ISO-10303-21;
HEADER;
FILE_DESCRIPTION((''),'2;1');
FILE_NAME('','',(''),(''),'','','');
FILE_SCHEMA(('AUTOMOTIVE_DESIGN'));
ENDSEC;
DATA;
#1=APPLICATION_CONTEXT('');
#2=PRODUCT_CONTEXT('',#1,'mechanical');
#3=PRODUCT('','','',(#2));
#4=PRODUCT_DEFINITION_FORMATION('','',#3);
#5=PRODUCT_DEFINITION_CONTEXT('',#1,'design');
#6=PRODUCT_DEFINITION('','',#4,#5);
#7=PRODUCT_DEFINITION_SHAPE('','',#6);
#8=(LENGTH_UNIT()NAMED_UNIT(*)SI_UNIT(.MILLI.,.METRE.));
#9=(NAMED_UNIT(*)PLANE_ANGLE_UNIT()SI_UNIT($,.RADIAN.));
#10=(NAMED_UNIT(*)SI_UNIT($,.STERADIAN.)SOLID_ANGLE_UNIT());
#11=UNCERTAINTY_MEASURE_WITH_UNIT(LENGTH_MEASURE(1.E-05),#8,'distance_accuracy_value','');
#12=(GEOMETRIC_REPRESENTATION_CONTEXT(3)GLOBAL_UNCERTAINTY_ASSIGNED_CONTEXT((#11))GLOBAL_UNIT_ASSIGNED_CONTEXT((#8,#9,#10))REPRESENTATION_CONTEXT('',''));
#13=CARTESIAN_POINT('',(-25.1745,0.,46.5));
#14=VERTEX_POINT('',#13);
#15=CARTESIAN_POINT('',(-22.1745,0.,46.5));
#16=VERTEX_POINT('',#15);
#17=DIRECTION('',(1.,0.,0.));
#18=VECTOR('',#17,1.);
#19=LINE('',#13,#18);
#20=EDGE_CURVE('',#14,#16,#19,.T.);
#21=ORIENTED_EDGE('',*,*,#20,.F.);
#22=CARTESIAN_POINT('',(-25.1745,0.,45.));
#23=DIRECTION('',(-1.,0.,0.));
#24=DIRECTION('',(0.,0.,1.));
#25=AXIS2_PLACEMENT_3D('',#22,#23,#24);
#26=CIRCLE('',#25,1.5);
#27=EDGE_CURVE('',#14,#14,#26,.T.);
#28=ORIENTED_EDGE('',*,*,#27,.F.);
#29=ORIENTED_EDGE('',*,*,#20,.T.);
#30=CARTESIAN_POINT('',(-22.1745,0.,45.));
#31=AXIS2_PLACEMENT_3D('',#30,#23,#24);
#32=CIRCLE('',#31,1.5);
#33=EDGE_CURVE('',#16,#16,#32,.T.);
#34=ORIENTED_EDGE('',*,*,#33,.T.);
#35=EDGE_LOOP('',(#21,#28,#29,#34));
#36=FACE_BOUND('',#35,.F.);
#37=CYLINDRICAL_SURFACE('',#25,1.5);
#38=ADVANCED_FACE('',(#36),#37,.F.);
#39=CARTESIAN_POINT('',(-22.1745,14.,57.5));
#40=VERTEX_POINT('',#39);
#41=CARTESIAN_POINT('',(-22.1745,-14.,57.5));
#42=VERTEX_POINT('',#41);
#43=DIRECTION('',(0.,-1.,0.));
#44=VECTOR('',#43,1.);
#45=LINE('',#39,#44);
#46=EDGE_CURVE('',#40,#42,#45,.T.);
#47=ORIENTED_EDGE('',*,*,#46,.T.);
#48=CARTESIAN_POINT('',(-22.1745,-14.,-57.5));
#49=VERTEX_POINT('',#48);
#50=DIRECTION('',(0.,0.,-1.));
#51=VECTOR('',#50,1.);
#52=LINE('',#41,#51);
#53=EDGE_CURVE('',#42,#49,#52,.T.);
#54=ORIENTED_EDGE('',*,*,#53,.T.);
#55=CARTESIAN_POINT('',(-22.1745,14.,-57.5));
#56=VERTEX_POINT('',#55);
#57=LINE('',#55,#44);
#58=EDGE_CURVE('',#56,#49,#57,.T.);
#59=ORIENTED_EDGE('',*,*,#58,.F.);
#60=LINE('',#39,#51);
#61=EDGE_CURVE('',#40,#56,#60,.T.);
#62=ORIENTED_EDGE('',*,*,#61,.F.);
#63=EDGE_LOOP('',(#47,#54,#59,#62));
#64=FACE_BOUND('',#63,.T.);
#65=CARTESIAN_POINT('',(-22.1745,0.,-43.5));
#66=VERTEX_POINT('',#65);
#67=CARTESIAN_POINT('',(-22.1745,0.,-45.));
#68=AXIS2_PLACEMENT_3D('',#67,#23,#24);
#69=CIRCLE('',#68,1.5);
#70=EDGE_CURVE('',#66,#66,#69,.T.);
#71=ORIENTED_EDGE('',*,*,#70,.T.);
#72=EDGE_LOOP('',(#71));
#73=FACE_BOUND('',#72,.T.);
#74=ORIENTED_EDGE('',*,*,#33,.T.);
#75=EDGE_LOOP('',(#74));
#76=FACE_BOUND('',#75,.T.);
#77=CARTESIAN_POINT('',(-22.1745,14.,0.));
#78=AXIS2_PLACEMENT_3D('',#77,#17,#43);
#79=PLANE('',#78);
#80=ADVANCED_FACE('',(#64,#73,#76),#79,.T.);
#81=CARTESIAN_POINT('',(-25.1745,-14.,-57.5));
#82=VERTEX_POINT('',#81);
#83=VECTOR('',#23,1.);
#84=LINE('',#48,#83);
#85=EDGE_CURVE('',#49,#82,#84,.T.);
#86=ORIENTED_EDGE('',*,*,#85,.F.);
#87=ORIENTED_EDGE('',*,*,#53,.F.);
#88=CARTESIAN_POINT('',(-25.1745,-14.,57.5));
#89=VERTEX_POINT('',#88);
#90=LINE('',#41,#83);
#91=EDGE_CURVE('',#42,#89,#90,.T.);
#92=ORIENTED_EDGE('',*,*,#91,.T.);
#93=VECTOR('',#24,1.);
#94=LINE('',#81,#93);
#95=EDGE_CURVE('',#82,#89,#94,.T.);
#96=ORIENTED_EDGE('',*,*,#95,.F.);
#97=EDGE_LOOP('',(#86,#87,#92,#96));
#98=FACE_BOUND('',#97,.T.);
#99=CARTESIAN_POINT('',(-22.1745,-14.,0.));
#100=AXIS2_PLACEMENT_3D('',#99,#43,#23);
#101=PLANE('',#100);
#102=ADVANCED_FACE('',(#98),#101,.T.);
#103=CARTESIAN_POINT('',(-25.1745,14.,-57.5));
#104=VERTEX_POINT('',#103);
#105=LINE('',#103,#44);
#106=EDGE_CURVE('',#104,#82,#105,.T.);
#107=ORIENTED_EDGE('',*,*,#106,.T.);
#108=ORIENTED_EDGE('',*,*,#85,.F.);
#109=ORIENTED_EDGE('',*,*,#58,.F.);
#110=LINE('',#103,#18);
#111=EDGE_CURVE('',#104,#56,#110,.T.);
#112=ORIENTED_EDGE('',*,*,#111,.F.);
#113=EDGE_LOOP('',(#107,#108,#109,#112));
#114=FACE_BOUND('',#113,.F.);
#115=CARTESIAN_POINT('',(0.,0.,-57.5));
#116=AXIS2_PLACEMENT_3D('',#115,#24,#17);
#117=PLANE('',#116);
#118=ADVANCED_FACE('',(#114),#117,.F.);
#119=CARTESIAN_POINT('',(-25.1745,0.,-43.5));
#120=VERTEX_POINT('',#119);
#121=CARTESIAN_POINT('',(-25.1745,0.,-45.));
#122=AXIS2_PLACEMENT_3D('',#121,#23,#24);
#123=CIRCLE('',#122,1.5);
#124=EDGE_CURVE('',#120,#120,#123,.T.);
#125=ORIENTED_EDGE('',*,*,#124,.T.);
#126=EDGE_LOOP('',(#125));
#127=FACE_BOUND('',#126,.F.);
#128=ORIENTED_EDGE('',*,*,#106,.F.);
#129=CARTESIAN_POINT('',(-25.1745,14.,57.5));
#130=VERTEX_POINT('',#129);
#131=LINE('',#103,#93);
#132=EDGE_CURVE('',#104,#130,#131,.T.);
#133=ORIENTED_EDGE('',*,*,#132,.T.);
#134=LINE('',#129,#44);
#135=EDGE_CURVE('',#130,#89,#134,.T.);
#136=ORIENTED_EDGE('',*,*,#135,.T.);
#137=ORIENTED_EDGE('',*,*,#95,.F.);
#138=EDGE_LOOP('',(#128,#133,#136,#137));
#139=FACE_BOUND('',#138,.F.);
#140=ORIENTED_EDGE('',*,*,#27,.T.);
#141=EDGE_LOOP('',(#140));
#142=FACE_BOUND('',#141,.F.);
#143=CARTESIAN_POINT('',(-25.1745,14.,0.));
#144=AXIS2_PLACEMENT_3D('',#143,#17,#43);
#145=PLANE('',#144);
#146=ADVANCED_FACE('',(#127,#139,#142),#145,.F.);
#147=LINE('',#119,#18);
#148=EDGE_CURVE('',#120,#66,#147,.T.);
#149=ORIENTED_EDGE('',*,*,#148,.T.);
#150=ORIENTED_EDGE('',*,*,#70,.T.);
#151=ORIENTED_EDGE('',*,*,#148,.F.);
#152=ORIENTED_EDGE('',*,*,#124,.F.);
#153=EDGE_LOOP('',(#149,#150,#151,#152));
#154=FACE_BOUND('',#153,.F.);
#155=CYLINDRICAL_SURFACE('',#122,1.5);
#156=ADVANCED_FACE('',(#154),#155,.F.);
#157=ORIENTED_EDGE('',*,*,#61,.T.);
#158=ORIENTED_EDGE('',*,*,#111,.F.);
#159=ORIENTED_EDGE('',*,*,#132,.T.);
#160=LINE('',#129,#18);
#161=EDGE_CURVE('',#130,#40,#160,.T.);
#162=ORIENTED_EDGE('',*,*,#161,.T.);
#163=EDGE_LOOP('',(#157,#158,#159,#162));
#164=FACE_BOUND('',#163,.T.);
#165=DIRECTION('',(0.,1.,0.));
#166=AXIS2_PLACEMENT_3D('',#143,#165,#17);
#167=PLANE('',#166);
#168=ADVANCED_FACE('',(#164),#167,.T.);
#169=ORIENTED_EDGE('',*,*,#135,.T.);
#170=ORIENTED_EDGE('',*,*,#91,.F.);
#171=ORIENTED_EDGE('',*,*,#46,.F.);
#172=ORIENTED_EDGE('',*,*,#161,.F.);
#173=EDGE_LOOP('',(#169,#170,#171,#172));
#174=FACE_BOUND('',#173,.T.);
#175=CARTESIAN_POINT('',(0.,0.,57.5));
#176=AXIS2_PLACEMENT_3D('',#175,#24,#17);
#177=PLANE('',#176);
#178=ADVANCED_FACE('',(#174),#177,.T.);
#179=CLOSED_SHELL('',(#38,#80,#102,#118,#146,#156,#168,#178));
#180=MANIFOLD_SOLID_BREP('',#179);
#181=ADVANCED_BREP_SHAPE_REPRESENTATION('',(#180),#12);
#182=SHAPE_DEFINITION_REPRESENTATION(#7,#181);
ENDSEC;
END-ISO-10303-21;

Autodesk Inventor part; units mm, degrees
ref_plane "YZ Plane" through (0, 0, 0) normal (1, 0, 0) x (0, 1, 0)
ref_plane "XZ Plane" through (0, 0, 0) normal (0, 1, 0) x (-1, 0, 0)
ref_plane "XY Plane" through (0, 0, 0) normal (0, 0, 1) x (1, 0, 0)
sketch "Sketch1" plane through (0, 0, 0) normal (0, 0, 1) x (1, 0, 0)
  line L0 (-25.1745, 14) -> (-25.1745, -14) projected
  line L1 (-25.1745, 14) -> (-22.1745, 14)
  line L2 (-22.1745, 14) -> (-22.1745, -14)
  line L3 (-22.1745, -14) -> (-25.1745, -14)
  line L4 (-25.1745, -14) -> (-25.1745, 14)
  point P0 (0, 0)
  dimension "d0" = 3
  dimension "d1" = 28
extrude "Extrusion1" add sketch "Sketch1" along normal mid plane 115
sketch "Sketch2" plane through (-25.1745, -14, 57.5) normal (-1, 0, 0) x (0, 0, 1)
  line L0 (-115, 0) -> (-115, 28) construction
  line L1 (0, 28) -> (0, 0) construction
  line L2 (0, 0) -> (-115, 0) construction
  line L3 (-115, 28) -> (0, 28) construction
  line L4 (-57.5, 0) -> (-57.5, 28) construction
  circle A0 centre (-12.5, 14) radius 1.5
  circle A1 centre (-102.5, 14) radius 1.5
  point P0 (-57.5, 14)
  dimension "d4" = 3
  dimension "d5" = 12.5
  dimension "d6" = 14
extrude "Extrusion2" cut sketch "Sketch2" against normal blind 10
properties part number "Mechanum support lock bar"
